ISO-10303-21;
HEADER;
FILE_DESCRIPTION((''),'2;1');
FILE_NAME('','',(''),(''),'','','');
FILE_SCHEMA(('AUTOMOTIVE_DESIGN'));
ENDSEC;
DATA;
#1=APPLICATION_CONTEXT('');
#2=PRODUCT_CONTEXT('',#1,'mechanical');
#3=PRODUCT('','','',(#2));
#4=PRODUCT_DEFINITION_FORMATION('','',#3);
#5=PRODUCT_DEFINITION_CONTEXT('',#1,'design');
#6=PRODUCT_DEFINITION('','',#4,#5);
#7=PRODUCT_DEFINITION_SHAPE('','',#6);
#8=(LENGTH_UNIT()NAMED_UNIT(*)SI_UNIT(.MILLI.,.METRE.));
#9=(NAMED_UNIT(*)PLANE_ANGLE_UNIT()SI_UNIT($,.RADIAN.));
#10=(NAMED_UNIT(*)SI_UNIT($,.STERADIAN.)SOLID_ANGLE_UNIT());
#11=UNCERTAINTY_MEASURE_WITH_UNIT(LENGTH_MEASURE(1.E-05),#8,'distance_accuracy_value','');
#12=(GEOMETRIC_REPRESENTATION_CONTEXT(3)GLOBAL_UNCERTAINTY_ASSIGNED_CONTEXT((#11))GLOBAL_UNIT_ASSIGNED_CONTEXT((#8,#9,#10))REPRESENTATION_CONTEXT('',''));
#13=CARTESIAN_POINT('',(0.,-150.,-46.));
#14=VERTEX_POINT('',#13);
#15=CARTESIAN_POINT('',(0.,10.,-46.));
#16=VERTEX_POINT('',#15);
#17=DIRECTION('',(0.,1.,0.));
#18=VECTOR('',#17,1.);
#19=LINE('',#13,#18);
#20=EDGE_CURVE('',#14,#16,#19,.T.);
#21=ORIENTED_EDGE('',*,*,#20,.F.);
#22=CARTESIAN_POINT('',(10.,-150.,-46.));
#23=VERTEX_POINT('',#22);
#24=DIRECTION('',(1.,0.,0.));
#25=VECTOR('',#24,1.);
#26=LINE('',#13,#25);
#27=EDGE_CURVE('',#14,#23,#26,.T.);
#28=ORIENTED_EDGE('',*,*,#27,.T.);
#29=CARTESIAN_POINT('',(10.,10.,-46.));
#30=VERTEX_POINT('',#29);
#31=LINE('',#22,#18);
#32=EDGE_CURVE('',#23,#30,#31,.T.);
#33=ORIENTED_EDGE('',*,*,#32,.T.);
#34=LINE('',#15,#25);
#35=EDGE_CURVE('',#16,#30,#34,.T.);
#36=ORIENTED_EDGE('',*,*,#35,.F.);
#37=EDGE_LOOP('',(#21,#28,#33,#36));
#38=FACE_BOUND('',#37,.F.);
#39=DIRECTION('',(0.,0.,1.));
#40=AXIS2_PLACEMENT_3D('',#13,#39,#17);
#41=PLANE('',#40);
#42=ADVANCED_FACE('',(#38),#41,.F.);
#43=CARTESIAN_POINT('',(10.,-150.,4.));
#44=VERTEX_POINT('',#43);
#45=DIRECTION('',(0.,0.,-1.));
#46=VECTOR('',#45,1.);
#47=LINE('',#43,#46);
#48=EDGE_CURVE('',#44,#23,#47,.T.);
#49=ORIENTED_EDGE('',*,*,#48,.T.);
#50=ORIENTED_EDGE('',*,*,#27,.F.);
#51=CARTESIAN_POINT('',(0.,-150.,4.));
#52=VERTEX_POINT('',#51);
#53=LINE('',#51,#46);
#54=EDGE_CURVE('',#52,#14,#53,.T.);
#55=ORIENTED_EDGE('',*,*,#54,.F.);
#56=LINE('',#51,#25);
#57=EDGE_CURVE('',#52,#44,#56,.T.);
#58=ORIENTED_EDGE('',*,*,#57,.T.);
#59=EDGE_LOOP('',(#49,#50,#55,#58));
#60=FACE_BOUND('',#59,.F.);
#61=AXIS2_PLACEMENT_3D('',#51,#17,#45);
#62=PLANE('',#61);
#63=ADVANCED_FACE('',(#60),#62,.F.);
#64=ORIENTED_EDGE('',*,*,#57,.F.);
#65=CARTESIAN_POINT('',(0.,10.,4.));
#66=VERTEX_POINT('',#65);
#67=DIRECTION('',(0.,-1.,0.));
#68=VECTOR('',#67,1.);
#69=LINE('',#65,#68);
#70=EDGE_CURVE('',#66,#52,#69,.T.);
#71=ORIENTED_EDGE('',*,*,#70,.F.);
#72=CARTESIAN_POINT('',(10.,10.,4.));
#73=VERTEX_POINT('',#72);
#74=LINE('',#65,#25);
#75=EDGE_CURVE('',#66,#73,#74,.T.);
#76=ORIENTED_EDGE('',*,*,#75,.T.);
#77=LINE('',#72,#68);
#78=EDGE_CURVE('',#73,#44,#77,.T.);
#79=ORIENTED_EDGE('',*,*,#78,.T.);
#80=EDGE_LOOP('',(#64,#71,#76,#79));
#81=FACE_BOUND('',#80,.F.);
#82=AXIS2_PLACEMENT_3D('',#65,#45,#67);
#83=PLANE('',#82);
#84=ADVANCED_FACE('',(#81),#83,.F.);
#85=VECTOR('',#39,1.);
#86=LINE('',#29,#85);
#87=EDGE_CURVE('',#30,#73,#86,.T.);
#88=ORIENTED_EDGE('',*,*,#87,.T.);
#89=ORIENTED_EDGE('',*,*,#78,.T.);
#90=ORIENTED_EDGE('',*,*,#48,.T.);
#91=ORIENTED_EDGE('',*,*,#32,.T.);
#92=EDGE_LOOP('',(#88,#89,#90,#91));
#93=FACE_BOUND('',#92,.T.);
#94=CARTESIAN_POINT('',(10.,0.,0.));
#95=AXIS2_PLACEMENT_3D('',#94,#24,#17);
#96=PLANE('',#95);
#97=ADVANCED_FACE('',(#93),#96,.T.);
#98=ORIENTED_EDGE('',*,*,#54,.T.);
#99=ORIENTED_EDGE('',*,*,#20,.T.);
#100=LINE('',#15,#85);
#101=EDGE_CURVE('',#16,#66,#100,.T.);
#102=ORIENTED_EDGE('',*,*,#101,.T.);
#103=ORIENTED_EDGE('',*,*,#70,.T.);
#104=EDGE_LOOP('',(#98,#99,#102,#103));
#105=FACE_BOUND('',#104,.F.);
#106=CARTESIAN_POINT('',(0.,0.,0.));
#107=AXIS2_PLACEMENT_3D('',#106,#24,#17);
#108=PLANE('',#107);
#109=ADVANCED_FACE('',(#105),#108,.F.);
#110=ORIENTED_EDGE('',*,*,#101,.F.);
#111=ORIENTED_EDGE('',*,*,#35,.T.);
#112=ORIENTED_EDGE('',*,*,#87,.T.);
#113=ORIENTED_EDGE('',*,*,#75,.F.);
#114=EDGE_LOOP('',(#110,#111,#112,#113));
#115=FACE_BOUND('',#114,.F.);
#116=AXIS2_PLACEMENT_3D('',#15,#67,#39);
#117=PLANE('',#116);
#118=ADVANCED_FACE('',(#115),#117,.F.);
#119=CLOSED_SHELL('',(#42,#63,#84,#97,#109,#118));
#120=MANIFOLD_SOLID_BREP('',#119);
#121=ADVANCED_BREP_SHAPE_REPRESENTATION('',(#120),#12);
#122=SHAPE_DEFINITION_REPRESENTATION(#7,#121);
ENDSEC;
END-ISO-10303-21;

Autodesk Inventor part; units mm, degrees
ref_plane "YZ Plane" through (0, 0, 0) normal (1, 0, 0) x (0, 1, 0)
ref_plane "XZ Plane" through (0, 0, 0) normal (0, 1, 0) x (-1, 0, 0)
ref_plane "XY Plane" through (0, 0, 0) normal (0, 0, 1) x (1, 0, 0)
sketch "Sketch1" plane through (0, 0, 0) normal (1, 0, 0) x (0, 1, 0)
  line L0 (10, 4) -> (-150, 4)
  line L1 (-150, 4) -> (-150, -46)
  line L2 (-150, -46) -> (10, -46)
  line L3 (10, -46) -> (10, 4)
  point P0 (0, 0)
  dimension "d0" = 160
  dimension "d1" = 50
extrude "Extrusion1" add sketch "Sketch1" along normal blind 10
properties part number "small pillar"
